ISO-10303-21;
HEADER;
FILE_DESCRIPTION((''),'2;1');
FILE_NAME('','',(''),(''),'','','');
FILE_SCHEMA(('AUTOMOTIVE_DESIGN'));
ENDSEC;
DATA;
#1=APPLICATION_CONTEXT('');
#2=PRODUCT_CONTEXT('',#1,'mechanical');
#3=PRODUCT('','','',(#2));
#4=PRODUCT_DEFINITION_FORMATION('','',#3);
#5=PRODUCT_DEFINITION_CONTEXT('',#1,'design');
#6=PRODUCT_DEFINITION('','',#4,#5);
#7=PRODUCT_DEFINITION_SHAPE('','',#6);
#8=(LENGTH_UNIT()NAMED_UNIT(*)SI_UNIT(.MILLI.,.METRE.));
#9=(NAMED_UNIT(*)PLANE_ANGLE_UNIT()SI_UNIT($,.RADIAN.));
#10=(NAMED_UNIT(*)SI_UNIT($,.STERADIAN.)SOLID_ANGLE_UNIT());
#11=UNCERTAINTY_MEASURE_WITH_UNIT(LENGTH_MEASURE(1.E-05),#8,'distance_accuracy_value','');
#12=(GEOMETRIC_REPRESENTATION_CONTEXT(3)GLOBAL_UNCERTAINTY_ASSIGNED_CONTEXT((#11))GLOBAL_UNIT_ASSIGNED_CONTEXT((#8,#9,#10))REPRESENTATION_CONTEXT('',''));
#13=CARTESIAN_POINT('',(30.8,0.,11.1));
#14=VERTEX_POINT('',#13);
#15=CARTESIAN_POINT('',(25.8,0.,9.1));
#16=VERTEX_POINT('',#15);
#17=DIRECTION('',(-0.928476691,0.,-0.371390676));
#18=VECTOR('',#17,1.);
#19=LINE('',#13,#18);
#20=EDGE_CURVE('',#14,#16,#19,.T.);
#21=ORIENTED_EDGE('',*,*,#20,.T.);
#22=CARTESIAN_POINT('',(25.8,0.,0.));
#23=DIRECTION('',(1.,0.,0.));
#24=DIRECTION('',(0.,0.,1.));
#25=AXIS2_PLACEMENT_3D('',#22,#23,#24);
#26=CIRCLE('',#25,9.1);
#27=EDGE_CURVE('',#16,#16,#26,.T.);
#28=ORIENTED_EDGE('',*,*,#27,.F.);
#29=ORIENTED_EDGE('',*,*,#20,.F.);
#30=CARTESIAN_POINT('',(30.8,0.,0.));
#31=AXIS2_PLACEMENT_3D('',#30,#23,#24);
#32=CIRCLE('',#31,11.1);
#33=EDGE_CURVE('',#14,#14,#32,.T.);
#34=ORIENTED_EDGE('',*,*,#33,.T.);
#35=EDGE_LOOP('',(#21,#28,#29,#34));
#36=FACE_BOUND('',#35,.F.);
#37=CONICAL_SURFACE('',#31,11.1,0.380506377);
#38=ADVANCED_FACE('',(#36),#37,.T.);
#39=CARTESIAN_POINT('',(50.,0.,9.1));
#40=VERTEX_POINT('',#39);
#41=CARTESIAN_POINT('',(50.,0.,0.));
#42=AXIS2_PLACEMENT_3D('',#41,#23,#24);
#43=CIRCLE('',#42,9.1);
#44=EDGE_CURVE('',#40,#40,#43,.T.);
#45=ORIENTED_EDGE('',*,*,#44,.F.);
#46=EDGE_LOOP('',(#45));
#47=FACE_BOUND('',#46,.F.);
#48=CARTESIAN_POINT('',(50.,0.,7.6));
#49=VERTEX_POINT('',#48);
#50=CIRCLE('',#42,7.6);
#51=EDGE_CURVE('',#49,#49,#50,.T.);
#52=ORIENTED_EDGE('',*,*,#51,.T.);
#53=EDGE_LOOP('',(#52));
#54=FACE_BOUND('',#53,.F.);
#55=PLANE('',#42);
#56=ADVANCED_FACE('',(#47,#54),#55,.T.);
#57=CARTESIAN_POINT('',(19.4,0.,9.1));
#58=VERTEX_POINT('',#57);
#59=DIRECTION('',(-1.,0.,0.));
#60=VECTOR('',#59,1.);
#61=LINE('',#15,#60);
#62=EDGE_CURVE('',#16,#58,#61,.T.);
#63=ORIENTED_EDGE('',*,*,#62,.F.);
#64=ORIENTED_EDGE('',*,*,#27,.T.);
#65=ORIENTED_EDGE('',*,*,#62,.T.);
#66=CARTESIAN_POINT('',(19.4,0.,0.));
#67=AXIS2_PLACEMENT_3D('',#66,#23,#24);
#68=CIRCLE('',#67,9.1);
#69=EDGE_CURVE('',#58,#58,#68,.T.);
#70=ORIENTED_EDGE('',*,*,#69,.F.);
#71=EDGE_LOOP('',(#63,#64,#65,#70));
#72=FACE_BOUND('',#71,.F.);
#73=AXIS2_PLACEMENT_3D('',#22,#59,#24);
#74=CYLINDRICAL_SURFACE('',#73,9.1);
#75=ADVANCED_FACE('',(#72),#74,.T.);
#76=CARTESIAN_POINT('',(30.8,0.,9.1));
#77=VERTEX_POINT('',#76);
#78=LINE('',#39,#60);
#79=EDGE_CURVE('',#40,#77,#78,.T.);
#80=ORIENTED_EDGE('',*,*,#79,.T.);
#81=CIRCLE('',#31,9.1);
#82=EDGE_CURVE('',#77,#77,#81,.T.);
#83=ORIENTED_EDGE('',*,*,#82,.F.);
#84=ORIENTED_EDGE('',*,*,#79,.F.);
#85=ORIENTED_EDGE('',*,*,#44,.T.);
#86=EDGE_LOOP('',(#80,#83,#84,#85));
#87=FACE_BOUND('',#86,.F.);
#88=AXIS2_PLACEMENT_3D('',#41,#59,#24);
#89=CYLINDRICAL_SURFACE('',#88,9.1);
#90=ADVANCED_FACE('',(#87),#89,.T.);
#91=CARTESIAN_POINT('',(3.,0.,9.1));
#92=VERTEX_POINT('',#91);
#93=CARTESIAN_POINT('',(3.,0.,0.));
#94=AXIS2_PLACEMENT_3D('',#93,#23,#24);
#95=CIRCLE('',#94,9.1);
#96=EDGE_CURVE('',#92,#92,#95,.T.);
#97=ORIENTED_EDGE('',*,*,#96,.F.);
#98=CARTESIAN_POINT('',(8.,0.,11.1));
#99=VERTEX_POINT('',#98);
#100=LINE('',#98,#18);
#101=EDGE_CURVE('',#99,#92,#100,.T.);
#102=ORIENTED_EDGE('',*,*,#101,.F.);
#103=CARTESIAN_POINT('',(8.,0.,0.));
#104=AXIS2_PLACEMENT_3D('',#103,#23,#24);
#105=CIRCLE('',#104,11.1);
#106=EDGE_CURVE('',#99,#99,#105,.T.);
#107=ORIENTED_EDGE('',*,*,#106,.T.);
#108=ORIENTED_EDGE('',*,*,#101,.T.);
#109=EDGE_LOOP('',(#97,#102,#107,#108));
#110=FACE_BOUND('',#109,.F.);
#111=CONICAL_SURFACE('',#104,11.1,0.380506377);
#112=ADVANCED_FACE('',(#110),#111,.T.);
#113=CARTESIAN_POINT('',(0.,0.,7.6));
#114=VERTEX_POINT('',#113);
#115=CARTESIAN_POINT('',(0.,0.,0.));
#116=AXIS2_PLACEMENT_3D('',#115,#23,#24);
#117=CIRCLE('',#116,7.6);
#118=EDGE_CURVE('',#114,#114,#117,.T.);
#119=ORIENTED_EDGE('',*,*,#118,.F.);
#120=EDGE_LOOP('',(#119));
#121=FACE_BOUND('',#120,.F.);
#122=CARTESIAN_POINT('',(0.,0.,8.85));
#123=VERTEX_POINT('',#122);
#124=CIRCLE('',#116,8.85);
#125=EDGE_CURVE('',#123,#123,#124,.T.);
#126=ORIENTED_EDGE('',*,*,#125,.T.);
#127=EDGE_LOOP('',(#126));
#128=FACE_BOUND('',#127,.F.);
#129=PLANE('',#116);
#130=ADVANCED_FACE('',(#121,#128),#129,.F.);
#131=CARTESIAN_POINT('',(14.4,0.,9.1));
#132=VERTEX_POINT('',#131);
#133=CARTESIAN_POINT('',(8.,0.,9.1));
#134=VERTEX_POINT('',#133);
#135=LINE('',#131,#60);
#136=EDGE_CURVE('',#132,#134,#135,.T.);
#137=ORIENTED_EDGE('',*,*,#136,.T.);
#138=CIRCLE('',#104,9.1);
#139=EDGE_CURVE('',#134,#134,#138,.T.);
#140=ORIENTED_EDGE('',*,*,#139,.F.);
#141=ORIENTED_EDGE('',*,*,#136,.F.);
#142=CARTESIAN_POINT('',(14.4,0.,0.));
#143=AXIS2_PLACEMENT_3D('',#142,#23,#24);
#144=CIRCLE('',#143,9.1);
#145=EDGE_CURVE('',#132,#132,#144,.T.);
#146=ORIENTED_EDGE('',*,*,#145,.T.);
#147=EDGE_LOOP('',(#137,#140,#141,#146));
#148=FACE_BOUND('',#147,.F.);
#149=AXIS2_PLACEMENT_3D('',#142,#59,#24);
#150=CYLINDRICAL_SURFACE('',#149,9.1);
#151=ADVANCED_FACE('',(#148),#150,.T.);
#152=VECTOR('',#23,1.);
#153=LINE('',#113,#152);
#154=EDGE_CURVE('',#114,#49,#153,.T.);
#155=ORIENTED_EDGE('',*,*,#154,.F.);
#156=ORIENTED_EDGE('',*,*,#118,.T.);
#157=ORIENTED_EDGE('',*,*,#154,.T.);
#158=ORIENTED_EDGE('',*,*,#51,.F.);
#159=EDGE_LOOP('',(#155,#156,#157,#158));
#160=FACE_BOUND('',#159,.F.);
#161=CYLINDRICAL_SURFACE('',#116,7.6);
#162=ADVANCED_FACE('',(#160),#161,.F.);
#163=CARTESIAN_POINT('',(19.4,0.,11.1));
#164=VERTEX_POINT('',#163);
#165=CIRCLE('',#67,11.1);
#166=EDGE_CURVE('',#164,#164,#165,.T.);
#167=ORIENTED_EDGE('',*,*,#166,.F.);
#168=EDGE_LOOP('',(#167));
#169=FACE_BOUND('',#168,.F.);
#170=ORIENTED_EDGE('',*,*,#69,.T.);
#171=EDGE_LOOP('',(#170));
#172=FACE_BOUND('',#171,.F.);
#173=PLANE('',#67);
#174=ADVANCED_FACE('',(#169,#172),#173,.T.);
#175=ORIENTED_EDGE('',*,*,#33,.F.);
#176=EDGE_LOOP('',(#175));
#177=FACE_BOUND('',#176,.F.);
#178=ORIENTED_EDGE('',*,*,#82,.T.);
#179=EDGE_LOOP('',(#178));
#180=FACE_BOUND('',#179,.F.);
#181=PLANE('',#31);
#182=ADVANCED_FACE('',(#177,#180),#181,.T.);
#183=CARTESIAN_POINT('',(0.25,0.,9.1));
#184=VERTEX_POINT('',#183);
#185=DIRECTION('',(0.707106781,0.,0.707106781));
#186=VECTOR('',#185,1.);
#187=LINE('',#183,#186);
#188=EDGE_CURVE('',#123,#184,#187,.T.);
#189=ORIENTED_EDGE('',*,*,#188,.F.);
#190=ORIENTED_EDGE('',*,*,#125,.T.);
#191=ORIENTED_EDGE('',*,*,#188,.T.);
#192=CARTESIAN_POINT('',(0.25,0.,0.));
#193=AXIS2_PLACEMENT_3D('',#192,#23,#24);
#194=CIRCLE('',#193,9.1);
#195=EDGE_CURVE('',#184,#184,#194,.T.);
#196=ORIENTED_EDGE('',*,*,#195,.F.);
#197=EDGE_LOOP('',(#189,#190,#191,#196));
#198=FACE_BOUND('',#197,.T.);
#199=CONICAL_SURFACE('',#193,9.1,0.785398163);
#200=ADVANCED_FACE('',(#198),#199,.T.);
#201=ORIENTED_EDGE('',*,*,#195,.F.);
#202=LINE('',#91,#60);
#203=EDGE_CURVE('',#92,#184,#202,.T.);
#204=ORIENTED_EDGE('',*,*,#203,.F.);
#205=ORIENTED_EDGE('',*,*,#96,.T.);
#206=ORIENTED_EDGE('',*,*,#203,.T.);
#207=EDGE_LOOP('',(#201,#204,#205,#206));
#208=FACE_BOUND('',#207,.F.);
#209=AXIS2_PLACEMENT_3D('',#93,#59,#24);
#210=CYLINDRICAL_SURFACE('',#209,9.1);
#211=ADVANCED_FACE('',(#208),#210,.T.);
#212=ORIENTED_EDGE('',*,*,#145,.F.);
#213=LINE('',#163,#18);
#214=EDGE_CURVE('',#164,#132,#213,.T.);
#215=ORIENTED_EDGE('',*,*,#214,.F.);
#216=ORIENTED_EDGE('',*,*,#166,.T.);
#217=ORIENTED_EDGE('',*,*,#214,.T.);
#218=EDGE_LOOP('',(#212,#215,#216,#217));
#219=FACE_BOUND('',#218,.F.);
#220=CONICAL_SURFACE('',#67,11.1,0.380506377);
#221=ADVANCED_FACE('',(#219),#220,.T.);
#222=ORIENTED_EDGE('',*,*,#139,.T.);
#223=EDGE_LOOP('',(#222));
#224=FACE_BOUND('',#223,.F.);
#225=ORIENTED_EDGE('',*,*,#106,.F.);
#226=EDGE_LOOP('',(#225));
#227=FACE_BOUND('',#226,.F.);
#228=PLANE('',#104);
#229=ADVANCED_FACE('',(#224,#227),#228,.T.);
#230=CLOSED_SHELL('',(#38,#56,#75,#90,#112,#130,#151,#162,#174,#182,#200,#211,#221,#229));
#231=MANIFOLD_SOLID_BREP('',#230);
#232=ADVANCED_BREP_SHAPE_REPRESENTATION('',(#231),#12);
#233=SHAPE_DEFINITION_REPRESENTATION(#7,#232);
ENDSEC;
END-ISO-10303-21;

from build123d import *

# Parameters (mm, degrees)
F2_SIZE = 0.25


with BuildPart() as f1:
    # F0 (on Front) → F1 (revolve)
    with BuildSketch(Plane.XZ):
        Polygon((0, 9.1), (0, 7.6), (50, 7.6), (50, 9.1), (30.8, 9.1), (30.8, 11.1), (25.8, 9.1), (19.4, 9.1), (19.4, 11.1), (14.4, 9.1), (8, 9.1), (8, 11.1), (3, 9.1), align=None)
    revolve(axis=Axis((1.427273, 0, 0), (1, 0, 0)))

    # F2
    f2_edges = [f1.edges().sort_by_distance(p)[0] for p in [
        (0, 0, -9.1),
    ]]
    chamfer(f2_edges, length=F2_SIZE)


solid = f1.part
